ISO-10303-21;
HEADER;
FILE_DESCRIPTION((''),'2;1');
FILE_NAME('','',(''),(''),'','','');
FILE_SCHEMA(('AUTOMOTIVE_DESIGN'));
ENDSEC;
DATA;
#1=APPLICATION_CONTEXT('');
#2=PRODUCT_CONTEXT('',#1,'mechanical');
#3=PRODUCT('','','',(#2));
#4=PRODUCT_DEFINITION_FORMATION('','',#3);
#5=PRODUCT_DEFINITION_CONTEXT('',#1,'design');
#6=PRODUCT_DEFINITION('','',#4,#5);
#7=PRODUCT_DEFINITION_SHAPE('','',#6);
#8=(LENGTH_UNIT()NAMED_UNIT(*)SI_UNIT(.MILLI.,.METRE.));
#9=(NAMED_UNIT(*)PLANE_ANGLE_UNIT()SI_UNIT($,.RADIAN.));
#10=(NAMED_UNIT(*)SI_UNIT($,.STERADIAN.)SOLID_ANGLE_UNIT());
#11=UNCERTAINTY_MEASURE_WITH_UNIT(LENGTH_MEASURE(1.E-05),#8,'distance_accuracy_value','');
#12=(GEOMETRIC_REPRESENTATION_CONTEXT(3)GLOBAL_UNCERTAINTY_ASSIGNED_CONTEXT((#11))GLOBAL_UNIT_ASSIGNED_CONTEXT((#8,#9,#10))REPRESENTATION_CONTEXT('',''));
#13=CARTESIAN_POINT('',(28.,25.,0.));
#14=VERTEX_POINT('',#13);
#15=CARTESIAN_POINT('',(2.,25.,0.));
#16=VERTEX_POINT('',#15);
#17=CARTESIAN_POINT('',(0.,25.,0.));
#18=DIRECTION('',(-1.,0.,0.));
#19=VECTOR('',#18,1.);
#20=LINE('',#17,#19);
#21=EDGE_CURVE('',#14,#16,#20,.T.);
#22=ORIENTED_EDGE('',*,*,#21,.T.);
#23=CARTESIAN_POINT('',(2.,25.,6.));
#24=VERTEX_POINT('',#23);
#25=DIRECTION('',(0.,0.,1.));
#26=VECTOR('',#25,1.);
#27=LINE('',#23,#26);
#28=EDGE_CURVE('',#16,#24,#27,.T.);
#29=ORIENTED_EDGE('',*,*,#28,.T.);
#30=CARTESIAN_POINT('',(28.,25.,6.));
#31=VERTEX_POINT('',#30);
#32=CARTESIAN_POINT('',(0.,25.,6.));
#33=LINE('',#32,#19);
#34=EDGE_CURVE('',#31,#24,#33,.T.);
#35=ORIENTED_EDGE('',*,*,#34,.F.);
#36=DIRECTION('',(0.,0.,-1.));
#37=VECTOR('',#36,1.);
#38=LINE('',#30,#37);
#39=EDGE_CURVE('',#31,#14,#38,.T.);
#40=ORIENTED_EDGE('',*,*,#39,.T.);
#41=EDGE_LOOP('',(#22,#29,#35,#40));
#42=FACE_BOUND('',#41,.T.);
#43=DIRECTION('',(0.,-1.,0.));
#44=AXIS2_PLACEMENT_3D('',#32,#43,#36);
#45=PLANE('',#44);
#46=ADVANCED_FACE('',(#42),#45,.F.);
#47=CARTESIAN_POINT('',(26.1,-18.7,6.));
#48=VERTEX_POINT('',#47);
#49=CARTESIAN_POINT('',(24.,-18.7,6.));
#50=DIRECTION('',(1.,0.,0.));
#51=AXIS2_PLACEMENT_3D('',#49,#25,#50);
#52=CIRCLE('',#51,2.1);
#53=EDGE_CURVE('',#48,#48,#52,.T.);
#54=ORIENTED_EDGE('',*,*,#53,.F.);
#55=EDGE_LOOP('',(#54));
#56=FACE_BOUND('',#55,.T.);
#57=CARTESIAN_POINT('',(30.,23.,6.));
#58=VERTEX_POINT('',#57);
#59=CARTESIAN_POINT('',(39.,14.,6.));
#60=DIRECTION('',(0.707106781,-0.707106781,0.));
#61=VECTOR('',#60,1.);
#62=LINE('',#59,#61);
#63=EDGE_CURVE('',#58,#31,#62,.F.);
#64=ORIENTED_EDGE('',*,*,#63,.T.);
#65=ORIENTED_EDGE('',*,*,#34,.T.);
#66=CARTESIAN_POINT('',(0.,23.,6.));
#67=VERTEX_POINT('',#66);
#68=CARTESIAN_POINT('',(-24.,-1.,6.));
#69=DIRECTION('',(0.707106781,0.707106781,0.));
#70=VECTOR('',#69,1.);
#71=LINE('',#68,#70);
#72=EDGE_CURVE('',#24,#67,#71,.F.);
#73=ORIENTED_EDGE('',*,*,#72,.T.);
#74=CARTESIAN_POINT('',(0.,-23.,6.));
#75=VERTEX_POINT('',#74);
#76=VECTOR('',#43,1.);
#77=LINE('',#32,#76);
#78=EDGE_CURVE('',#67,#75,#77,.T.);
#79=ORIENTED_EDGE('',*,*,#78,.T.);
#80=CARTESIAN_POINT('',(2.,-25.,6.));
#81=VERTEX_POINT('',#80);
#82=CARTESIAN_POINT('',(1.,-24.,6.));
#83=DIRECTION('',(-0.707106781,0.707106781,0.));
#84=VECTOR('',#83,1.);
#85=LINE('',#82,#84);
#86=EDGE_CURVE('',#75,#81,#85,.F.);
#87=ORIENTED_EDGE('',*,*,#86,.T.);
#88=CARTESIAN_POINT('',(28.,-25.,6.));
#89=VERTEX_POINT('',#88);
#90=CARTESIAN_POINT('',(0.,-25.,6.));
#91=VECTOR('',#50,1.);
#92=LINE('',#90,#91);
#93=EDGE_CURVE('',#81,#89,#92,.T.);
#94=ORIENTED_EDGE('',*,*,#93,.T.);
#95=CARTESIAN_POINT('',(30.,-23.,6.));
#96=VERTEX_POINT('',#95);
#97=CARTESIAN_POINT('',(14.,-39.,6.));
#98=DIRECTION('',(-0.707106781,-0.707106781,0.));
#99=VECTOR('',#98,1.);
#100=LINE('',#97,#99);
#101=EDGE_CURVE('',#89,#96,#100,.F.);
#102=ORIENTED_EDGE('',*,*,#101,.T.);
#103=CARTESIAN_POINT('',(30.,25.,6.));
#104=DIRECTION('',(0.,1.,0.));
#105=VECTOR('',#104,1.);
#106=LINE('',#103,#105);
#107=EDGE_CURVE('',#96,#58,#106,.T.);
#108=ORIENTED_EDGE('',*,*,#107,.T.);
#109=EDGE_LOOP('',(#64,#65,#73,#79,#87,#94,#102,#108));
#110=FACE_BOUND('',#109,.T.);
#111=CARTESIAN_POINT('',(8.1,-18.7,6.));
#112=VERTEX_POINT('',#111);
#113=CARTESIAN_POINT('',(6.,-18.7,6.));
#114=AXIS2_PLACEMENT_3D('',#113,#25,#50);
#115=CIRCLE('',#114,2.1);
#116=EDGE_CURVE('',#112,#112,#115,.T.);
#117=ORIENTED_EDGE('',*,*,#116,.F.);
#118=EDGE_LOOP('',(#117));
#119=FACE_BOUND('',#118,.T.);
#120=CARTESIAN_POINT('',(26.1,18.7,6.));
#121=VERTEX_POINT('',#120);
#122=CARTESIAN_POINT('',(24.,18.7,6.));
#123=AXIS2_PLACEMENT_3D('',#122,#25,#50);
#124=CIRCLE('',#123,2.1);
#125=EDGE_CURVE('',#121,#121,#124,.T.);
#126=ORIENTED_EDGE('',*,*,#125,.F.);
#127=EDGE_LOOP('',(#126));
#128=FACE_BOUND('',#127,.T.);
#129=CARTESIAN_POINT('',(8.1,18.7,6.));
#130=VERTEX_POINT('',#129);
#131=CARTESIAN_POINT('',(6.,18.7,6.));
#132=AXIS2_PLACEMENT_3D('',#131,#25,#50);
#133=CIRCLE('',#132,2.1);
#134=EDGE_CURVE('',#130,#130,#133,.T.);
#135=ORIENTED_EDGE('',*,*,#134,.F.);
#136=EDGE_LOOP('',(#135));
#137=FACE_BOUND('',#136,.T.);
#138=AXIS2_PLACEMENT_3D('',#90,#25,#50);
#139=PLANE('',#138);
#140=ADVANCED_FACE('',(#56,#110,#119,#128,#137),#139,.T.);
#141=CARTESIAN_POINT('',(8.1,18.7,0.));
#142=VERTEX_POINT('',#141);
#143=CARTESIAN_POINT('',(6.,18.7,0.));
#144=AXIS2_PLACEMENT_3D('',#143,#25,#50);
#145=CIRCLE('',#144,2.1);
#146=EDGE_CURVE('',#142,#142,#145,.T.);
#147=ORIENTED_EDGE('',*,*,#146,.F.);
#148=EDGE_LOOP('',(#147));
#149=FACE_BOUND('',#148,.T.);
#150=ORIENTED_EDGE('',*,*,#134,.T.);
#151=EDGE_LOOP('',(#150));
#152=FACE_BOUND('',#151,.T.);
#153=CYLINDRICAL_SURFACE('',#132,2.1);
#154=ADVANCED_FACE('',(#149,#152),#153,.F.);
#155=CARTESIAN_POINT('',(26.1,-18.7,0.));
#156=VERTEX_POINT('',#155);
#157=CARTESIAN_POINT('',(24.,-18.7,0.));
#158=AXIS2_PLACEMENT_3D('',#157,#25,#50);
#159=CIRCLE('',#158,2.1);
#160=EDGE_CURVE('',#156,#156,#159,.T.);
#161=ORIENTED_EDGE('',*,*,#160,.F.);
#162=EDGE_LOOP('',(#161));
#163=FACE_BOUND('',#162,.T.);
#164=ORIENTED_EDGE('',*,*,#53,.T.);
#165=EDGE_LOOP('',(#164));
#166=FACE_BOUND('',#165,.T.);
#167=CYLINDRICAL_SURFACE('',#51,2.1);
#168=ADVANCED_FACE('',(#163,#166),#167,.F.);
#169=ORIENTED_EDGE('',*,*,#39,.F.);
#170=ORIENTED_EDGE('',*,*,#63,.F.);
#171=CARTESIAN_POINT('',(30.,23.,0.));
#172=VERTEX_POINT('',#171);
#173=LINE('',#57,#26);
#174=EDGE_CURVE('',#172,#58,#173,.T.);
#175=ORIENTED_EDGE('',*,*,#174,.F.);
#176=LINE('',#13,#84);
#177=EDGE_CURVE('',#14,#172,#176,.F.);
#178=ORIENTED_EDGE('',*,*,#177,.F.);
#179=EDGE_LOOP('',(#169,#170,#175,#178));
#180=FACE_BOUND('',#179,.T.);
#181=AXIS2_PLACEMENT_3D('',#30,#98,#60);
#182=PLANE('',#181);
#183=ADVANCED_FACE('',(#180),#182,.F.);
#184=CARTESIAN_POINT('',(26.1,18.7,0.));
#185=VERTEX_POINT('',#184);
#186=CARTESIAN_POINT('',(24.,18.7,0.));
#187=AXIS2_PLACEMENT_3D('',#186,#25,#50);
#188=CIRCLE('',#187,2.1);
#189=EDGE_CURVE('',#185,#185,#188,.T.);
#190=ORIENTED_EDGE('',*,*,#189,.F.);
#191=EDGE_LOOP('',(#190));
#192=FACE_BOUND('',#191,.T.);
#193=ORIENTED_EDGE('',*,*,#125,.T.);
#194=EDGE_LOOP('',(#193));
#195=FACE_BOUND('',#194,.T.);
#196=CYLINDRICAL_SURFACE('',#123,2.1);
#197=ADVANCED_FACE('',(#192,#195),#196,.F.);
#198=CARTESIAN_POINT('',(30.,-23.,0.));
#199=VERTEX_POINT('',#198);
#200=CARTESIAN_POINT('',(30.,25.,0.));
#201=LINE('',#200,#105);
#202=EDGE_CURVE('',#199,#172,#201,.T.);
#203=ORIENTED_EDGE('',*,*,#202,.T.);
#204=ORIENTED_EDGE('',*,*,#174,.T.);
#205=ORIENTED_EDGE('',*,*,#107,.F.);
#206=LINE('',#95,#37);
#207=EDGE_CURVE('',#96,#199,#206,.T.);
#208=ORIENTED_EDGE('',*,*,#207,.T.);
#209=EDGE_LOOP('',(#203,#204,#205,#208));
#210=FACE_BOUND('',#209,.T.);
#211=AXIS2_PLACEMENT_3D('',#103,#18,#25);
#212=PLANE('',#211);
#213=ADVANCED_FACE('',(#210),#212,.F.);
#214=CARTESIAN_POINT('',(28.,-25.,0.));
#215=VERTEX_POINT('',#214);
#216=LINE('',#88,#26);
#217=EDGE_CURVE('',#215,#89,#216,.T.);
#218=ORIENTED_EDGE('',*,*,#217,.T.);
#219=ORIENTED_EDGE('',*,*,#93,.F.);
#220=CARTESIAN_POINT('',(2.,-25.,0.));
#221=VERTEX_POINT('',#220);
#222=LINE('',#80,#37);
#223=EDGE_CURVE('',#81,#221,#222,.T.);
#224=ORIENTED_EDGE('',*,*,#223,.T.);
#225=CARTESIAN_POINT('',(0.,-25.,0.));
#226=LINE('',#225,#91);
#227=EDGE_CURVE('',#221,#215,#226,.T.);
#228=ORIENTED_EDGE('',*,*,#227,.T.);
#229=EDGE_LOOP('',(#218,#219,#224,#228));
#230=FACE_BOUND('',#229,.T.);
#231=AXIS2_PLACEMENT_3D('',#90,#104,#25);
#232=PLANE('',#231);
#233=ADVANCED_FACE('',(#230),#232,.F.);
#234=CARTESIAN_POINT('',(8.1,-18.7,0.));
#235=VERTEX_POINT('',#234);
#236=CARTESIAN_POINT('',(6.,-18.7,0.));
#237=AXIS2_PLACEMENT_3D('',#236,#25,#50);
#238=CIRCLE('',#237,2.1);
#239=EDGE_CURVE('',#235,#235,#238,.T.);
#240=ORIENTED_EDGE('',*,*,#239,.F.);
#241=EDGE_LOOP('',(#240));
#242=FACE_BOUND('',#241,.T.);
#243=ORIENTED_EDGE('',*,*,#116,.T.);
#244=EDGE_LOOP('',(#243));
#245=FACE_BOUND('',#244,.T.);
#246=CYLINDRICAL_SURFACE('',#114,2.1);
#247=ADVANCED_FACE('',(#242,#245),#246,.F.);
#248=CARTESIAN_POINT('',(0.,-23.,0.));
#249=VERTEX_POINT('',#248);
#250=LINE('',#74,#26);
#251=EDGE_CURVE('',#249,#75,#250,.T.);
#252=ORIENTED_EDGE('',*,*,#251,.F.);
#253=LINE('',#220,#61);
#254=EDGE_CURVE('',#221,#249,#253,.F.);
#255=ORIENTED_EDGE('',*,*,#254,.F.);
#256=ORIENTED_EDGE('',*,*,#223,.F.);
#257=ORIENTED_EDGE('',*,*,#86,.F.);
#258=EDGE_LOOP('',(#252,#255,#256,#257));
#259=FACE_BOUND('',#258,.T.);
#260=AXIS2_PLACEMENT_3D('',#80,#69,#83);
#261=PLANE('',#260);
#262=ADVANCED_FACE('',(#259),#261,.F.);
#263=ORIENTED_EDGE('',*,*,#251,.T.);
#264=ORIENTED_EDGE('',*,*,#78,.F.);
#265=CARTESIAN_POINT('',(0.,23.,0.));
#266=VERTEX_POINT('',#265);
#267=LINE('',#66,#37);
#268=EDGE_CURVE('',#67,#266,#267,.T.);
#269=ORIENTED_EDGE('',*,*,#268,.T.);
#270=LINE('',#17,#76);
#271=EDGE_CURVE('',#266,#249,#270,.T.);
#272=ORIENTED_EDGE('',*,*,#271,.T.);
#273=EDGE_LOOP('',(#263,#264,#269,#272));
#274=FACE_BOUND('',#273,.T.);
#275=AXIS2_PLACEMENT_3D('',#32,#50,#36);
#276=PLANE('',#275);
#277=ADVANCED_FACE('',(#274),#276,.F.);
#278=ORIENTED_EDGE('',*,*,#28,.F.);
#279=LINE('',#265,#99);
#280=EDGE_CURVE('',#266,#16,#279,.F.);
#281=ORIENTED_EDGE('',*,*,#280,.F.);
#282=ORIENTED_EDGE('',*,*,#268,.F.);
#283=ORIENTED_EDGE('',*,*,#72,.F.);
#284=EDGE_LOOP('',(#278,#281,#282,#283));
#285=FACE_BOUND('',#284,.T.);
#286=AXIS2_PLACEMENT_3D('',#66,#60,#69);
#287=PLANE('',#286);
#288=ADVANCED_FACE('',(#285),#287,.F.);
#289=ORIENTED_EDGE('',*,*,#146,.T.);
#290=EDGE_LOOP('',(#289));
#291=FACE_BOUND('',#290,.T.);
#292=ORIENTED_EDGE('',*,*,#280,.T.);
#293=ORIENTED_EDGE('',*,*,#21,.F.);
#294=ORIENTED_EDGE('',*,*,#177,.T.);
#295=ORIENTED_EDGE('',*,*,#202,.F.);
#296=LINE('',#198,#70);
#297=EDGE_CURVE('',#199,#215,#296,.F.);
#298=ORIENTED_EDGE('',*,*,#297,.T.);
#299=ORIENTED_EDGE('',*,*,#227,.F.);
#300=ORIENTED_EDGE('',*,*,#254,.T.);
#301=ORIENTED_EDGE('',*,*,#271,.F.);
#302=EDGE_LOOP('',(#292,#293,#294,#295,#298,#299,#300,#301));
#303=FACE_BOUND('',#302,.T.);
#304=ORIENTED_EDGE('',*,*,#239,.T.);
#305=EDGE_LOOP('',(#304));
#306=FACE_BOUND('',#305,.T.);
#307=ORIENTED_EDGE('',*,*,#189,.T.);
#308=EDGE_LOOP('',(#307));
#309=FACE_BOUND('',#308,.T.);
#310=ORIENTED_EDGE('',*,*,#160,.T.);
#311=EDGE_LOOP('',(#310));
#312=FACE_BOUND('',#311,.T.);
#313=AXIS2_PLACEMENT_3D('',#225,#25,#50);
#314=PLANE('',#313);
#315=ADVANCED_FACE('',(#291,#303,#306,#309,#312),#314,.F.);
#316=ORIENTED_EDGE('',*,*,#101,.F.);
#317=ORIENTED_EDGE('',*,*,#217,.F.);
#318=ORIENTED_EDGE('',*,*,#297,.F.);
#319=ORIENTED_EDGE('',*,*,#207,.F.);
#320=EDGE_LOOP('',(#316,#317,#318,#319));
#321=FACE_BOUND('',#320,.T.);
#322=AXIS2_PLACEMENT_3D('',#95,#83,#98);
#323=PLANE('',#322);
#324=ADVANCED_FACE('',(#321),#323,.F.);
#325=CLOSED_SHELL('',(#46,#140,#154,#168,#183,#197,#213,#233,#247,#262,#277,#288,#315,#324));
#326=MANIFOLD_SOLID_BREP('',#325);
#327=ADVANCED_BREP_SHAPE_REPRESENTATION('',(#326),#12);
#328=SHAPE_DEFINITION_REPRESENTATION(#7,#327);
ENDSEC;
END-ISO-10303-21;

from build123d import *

# Parameters (mm, degrees)
SKETCH1_W             = 30
SKETCH1_H             = 50
BOSS_EXTRUDE1_DEPTH   = 6
M5X0_8_TAPPED_HOLE1_D = 4.2
CHAMFER1_SIZE         = 2


with BuildPart() as part:
    # Sketch1 → Boss-Extrude1 (new body)
    with BuildSketch(Plane.XY):
        with Locations((15, 0)):
            Rectangle(SKETCH1_W, SKETCH1_H)
    extrude(amount=BOSS_EXTRUDE1_DEPTH)

    # M5x0.8 Tapped Hole1 (through all)
    with Locations(Plane.XY.offset(6)):
        with Locations((6, 18.7), (6, -18.7), (24, -18.7), (24, 18.7)):
            Hole(M5X0_8_TAPPED_HOLE1_D / 2)

    # Chamfer1
    chamfer1_edges = [part.edges().sort_by_distance(p)[0] for p in [
        (0, 25, 3),
        (30, 25, 3),
        (30, -25, 3),
        (0, -25, 3),
    ]]
    chamfer(chamfer1_edges, length=CHAMFER1_SIZE)


solid = part.part
